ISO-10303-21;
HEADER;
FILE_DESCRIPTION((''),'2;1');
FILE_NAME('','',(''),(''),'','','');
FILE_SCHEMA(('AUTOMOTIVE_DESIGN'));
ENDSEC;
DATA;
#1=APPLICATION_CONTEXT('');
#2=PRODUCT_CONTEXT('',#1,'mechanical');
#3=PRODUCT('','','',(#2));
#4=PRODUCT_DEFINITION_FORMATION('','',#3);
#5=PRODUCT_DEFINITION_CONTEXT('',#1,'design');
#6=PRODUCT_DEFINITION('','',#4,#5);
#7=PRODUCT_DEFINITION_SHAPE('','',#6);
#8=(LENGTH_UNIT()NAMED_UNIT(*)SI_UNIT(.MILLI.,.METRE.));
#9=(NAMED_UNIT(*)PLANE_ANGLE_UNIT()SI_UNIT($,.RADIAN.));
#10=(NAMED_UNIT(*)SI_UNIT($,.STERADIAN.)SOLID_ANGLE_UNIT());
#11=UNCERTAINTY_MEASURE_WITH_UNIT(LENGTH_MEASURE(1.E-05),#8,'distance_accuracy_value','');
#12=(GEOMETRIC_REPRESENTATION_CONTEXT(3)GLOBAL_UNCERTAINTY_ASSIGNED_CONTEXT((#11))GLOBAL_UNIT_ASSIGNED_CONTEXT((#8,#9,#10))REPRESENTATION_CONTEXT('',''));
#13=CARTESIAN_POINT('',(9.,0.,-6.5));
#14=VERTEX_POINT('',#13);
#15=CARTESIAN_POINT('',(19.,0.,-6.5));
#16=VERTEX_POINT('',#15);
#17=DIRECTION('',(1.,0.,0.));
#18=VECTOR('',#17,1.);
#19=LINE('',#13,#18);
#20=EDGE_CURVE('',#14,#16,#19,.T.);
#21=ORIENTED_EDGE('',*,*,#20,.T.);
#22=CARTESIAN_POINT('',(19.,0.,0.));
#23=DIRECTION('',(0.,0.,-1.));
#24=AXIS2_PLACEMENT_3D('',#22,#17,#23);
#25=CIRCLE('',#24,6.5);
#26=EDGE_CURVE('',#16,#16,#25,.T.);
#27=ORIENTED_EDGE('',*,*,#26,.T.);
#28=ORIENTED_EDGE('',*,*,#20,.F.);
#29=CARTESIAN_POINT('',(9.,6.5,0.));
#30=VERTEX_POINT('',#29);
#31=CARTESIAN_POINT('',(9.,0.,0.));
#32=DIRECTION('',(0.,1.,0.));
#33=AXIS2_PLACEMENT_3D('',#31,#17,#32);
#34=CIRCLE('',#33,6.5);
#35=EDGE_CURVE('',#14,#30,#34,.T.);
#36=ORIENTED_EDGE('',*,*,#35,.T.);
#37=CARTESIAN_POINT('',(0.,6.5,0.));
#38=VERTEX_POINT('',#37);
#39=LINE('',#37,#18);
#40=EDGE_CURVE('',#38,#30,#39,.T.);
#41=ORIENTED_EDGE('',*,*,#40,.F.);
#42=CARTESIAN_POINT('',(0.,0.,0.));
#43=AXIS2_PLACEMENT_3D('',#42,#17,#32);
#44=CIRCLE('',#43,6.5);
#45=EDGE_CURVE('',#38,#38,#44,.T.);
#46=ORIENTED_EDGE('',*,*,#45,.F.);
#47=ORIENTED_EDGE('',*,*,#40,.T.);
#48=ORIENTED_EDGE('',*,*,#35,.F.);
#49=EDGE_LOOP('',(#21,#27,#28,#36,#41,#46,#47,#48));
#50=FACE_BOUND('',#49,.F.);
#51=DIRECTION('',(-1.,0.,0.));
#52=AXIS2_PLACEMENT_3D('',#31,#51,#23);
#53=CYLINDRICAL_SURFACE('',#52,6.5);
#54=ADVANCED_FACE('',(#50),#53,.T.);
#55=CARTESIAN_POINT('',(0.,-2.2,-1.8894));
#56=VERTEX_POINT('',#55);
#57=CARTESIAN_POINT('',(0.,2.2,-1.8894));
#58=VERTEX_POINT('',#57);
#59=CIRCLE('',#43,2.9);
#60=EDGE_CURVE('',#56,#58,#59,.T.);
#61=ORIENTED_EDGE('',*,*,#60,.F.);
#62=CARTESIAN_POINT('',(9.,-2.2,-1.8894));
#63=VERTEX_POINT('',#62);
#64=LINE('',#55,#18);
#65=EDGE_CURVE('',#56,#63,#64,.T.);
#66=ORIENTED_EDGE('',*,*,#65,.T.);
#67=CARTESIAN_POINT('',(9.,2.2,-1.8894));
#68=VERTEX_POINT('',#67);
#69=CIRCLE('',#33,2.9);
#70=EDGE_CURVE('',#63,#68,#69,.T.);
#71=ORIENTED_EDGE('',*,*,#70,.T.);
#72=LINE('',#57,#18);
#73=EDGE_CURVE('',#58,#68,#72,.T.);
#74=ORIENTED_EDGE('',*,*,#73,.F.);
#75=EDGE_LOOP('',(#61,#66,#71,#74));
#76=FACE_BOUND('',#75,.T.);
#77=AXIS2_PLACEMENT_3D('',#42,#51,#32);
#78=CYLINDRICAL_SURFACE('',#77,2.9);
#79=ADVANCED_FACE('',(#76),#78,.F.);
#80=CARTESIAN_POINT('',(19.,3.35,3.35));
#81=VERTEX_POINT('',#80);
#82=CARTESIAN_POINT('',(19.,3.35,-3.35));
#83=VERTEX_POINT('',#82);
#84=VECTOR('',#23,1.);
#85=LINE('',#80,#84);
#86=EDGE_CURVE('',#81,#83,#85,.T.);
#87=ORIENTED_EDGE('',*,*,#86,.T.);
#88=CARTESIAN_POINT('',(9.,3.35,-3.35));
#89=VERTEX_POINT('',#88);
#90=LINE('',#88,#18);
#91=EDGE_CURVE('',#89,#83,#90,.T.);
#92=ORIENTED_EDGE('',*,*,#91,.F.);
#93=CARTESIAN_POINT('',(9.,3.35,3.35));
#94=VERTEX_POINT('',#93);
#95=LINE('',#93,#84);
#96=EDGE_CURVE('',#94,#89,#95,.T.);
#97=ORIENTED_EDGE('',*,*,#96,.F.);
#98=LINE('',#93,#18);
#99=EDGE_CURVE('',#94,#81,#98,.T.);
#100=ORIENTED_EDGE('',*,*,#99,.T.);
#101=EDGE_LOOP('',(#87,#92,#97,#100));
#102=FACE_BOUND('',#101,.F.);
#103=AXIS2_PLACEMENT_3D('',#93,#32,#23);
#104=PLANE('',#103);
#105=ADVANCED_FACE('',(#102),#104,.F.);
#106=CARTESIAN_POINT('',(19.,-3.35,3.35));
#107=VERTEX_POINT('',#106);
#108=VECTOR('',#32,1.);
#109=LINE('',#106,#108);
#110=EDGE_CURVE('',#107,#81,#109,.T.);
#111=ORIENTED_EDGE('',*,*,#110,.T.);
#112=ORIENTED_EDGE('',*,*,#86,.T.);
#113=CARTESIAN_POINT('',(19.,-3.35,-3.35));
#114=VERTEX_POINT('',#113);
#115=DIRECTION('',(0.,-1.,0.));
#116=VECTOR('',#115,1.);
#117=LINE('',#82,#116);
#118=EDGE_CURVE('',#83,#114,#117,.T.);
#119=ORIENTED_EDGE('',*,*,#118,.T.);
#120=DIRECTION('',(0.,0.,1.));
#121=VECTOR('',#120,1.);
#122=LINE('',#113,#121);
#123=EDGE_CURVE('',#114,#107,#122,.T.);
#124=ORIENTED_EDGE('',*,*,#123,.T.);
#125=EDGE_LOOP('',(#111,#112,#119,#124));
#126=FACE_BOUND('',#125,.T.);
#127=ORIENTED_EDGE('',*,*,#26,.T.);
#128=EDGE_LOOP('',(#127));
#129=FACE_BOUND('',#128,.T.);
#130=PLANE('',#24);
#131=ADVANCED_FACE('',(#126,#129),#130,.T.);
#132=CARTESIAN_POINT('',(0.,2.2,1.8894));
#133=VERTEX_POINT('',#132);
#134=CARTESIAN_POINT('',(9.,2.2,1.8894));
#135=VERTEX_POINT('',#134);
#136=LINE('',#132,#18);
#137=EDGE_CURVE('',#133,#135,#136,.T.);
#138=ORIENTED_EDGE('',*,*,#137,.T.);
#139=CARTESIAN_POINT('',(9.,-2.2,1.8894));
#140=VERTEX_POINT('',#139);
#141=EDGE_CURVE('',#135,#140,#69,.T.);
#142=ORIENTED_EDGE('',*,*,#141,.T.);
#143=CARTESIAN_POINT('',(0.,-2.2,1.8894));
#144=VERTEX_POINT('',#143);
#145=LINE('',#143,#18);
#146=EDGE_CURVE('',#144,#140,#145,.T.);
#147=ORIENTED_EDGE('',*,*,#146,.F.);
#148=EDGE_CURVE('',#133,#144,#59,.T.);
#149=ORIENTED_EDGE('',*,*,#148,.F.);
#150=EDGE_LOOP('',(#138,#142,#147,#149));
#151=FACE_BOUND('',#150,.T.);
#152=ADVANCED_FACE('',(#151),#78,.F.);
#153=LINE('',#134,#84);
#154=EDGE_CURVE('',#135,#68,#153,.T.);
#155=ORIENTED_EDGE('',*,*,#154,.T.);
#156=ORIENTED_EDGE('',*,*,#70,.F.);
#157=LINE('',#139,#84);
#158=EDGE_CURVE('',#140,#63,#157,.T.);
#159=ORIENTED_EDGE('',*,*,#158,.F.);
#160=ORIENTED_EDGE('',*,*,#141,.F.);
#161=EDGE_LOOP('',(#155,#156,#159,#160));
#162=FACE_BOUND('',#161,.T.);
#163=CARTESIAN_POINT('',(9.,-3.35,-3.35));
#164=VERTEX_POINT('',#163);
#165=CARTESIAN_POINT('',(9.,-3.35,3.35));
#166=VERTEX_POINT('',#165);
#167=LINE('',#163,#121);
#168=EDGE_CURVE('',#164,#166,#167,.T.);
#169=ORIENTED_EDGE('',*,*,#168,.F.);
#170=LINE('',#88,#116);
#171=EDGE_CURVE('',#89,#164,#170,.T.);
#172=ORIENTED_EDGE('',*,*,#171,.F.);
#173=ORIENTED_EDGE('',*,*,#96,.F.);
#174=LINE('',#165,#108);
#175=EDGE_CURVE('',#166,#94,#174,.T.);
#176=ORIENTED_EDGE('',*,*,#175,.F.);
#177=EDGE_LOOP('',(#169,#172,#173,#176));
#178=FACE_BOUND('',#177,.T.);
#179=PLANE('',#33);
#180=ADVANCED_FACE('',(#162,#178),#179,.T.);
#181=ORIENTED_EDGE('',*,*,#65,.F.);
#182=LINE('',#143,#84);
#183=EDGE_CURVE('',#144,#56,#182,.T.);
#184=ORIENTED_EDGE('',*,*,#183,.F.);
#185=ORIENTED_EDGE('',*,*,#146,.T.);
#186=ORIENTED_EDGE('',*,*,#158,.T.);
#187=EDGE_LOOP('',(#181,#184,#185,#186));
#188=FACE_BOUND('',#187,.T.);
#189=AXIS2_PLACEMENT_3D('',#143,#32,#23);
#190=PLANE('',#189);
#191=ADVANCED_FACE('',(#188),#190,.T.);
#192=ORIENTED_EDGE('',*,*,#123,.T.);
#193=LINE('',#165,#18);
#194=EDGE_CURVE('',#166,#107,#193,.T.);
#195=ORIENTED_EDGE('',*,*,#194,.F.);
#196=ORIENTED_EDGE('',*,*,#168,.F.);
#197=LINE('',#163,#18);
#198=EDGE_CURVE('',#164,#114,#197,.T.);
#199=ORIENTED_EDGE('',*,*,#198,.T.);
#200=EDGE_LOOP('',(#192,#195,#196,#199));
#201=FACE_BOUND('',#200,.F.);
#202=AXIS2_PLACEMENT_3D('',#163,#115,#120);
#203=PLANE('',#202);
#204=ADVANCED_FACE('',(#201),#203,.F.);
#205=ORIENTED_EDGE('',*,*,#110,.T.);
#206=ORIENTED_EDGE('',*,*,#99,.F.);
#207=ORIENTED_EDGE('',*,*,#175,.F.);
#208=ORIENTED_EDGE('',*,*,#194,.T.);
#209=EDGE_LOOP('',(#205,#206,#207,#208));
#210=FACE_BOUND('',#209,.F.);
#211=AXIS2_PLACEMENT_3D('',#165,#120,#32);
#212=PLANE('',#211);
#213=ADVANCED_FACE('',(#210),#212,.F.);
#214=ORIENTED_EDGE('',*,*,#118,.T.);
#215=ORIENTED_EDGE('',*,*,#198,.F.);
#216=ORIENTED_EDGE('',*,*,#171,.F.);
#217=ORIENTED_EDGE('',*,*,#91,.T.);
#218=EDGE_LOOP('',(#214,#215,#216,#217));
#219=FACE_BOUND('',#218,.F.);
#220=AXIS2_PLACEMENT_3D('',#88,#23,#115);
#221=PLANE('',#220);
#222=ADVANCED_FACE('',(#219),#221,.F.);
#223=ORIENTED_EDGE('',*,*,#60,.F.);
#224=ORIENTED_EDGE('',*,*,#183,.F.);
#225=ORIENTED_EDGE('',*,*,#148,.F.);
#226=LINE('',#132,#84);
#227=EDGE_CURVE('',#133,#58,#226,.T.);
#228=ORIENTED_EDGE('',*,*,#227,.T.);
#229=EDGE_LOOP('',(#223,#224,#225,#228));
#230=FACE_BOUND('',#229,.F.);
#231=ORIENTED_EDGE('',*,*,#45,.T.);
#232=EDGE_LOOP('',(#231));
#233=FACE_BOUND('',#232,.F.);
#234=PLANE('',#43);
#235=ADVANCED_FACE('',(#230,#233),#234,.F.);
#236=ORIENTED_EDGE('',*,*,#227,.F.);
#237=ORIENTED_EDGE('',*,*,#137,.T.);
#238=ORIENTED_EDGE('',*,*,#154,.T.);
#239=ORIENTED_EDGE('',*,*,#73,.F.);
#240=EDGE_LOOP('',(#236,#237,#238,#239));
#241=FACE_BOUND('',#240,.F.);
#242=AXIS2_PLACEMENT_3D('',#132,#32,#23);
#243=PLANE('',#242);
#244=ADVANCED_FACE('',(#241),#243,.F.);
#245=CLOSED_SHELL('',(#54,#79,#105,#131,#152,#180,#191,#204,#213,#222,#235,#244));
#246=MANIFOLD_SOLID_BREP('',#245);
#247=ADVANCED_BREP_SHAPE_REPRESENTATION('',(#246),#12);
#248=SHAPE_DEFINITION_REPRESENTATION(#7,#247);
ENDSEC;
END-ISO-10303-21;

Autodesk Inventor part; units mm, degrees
ref_plane "YZ Plane" through (0, 0, 0) normal (1, 0, 0) x (0, 1, 0)
ref_plane "XZ Plane" through (0, 0, 0) normal (0, 1, 0) x (-1, 0, 0)
ref_plane "XY Plane" through (0, 0, 0) normal (0, 0, 1) x (1, 0, 0)
sketch "Boceto1" plane through (0, 0, 0) normal (1, 0, 0) x (0, 1, 0)
  circle A0 centre (0, 0) radius 2.9
  line L0 (2.2, 1.8894) -> (2.2, -1.8894)
  line L1 (-2.2, 1.8894) -> (-2.2, -1.8894)
  circle A1 centre (0, 0) radius 6.5
  dimension "d0" = 5.8
  dimension "d1" = 2.2
  dimension "d2" = 2.2
  dimension "d3" = 13
extrude "Extrusión1" add sketch "Boceto1" along normal blind 9 contours A0 L0 | L1 A0 | A1
sketch "Boceto2" plane through (9, 0, 0) normal (1, 0, 0) x (0, 0, -1)
  circle A0 centre (0, 0) radius 6.5
  line L0 (3.35, -3.35) -> (-3.35, -3.35)
  line L1 (-3.35, -3.35) -> (-3.35, 3.35)
  line L2 (-3.35, 3.35) -> (3.35, 3.35)
  line L3 (3.35, 3.35) -> (3.35, -3.35)
  line L4 (3.35, -3.35) -> (-3.35, 3.35) construction
  line L5 (-3.35, -3.35) -> (3.35, 3.35) construction
  dimension "d6" = 6.7
  dimension "d7" = 6.7
extrude "Extrusión2" add sketch "Boceto2" along normal blind 10
properties part number "Adaptador"
